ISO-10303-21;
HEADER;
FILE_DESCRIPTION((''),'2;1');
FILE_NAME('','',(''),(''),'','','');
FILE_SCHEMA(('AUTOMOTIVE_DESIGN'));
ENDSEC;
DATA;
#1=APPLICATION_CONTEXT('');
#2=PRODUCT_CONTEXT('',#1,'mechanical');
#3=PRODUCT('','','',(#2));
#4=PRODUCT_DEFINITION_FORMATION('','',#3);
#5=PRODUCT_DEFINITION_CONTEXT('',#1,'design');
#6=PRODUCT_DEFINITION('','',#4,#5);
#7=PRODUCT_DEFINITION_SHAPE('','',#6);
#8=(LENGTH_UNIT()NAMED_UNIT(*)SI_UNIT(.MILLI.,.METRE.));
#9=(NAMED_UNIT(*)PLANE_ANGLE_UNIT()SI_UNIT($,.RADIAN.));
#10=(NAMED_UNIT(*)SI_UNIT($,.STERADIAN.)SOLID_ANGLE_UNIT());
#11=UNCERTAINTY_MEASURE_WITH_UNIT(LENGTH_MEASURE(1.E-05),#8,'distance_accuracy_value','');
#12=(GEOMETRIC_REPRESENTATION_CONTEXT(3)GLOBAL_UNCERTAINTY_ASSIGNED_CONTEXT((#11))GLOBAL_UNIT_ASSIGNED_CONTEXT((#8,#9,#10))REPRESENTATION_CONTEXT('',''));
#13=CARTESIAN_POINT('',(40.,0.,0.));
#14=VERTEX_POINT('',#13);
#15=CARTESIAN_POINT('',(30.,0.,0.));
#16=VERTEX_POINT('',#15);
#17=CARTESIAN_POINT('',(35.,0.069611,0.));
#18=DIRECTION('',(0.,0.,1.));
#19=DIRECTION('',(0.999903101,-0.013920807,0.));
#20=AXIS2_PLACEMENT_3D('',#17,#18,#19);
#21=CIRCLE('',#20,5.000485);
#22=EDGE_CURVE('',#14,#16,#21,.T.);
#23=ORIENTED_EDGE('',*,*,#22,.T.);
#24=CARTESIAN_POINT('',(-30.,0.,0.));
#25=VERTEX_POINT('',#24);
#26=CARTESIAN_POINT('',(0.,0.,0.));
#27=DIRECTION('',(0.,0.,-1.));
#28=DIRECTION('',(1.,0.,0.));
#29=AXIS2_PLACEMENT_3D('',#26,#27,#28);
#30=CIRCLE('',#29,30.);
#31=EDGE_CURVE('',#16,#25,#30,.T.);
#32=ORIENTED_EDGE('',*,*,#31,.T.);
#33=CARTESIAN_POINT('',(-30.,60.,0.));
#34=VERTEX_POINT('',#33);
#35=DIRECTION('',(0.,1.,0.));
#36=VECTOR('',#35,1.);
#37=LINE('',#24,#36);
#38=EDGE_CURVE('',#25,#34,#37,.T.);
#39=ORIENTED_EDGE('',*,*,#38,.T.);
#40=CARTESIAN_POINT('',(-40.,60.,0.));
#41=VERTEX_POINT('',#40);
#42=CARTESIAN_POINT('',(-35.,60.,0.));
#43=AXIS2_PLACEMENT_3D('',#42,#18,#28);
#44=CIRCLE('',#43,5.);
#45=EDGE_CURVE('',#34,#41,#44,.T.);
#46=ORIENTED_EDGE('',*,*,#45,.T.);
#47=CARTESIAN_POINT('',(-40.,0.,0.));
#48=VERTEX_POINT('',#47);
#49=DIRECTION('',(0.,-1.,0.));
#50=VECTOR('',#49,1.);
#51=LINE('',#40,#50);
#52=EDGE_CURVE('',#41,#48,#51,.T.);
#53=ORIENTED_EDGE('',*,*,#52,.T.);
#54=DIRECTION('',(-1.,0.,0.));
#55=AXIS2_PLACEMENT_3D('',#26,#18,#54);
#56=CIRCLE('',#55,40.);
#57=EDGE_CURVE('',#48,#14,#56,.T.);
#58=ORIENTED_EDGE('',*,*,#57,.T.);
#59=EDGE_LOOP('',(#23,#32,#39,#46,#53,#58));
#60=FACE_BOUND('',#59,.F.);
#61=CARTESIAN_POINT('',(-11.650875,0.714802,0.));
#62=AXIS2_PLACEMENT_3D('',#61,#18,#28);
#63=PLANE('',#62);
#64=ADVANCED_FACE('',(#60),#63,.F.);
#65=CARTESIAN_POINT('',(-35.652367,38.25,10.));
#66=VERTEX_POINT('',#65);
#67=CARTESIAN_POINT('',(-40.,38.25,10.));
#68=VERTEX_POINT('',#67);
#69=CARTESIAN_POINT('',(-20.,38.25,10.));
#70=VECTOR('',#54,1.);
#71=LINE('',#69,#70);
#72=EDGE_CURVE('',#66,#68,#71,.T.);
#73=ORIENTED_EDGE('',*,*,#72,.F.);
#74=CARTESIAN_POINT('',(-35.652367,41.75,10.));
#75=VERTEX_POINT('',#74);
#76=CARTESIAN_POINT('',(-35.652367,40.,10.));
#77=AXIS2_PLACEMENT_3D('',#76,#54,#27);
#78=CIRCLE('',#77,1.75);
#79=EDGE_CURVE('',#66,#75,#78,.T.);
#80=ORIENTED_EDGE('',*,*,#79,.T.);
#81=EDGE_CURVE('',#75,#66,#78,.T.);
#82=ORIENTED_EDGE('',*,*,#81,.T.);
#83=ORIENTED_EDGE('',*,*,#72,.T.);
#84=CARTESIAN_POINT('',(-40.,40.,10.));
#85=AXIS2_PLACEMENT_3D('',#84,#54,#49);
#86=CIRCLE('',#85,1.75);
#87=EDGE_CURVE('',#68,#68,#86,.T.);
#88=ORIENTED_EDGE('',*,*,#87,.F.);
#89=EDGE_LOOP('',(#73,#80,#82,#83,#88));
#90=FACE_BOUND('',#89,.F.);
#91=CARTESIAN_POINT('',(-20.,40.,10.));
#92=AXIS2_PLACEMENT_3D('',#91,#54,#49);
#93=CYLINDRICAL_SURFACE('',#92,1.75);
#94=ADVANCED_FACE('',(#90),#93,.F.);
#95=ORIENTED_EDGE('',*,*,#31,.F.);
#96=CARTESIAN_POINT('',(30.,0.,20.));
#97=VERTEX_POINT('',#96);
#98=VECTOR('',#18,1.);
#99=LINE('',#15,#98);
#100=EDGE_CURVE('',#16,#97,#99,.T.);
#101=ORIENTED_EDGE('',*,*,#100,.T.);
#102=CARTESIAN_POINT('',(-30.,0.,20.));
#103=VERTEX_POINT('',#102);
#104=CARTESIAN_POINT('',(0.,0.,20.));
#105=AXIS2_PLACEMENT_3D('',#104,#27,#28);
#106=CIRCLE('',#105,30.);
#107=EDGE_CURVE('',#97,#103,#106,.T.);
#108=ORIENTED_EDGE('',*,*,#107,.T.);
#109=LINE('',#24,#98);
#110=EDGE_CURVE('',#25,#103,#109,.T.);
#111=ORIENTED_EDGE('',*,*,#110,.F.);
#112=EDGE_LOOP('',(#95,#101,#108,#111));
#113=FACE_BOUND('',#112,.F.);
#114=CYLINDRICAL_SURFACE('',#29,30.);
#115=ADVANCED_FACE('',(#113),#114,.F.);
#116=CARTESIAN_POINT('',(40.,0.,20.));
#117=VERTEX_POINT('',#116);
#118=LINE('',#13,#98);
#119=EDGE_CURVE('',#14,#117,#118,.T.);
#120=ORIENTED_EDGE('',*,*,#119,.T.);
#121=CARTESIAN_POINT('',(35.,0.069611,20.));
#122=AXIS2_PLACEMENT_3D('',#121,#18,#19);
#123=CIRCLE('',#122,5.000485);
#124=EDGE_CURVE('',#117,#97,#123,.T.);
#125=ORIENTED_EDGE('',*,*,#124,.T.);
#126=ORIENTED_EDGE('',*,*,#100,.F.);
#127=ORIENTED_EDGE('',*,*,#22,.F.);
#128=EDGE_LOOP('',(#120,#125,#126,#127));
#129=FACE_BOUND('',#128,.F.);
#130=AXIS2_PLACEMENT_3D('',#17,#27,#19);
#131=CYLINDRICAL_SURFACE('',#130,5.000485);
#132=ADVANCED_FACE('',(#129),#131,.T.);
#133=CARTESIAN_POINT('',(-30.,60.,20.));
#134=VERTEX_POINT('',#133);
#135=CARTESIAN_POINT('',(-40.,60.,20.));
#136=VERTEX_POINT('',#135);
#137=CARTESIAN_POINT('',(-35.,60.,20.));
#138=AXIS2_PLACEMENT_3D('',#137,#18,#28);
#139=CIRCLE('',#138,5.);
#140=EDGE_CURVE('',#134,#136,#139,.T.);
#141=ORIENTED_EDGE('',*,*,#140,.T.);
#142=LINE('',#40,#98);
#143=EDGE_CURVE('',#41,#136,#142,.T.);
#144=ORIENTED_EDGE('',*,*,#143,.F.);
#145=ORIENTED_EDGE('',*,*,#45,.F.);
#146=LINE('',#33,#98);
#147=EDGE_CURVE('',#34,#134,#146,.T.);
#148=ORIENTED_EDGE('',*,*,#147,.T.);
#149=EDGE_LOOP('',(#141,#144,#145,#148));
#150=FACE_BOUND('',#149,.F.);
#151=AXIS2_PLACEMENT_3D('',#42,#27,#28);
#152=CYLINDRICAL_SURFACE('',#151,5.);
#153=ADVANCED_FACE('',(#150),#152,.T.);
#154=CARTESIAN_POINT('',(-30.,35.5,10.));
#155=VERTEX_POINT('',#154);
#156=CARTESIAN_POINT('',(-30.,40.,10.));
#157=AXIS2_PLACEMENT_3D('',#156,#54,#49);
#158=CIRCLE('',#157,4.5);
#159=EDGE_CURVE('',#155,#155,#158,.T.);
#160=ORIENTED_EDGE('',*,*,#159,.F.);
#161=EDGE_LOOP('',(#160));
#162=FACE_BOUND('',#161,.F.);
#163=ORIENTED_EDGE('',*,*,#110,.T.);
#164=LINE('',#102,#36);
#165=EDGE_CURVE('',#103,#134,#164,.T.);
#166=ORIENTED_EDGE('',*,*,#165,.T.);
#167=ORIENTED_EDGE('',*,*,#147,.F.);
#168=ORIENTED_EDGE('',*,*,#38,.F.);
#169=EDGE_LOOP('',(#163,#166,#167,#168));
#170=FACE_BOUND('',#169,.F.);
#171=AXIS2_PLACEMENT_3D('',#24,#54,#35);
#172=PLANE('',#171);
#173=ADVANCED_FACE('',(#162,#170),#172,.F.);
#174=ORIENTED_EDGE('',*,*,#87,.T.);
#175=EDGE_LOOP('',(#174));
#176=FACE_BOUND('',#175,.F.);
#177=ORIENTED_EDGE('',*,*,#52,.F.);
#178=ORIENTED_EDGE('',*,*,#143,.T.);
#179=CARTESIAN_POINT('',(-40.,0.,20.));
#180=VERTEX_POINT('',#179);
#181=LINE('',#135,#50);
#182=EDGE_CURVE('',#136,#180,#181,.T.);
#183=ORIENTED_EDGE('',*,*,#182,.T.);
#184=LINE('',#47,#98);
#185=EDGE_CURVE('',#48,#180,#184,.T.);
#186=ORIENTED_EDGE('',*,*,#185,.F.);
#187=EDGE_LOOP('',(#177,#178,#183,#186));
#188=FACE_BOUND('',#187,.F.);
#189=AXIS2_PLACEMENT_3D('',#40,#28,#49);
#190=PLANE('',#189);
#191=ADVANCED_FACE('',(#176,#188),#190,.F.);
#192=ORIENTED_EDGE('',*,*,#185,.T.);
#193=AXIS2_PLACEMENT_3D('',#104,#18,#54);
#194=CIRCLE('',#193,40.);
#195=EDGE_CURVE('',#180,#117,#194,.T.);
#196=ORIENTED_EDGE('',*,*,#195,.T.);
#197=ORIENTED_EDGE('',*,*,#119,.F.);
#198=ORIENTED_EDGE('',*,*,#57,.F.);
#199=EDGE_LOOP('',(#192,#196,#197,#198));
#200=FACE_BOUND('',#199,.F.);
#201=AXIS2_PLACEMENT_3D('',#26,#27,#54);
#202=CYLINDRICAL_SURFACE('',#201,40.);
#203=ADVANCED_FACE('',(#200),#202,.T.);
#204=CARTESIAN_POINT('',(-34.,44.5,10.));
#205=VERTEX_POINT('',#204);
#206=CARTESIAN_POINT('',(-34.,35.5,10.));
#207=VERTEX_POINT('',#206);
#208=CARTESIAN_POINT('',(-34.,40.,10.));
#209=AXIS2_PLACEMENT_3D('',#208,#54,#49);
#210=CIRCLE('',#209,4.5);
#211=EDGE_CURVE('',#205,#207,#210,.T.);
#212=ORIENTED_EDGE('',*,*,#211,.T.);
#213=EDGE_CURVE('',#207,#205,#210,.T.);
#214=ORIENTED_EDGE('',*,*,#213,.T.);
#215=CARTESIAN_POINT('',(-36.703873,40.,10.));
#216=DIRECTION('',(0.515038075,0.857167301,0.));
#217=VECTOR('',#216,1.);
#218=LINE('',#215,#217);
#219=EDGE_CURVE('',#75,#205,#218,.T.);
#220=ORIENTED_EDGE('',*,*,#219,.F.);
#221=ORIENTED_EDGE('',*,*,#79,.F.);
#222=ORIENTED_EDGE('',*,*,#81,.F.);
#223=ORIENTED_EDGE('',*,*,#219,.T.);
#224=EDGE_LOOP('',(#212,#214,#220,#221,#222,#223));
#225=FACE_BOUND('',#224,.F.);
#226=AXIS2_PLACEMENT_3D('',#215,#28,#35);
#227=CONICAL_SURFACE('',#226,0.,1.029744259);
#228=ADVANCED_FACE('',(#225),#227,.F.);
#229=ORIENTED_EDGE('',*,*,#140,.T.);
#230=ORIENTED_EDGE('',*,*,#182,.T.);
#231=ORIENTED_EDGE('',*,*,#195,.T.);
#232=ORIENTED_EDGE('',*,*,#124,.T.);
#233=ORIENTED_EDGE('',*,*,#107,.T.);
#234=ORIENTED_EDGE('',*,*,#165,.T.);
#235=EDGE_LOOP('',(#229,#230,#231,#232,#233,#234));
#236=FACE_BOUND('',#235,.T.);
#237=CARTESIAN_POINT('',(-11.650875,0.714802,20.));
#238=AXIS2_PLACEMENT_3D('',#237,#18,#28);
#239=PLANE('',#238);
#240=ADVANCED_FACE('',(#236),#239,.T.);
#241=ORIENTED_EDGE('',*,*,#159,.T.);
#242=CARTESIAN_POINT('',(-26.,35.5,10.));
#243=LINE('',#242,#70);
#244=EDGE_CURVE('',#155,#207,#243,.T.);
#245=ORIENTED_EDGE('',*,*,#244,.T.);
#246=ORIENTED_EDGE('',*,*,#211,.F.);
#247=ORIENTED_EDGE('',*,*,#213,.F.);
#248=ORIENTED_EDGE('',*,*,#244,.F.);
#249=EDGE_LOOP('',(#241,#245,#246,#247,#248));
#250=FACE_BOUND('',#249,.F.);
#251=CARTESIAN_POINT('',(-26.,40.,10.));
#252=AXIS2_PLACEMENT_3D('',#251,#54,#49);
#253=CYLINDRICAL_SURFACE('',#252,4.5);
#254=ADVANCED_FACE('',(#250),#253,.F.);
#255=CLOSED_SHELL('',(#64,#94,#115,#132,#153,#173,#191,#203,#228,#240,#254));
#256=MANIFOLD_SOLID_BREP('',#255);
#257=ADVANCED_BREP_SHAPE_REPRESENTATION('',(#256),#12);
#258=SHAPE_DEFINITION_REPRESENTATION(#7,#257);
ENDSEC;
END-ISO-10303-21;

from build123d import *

# Parameters (mm, degrees)
F6_DEPTH = 20
F8_D     = 3.5
F8_DEPTH = 10
F8_TIP   = 1.0515060833
F9_D     = 9
F9_DEPTH = 4
F9_TIP   = 2.7038727856


with BuildPart() as f6:
    # F5 (on Top) → F6 (new body)
    with BuildSketch(Plane.XY):
        with BuildLine():
            ThreePointArc((30, 0), (0, -30), (-30, 0))
            Line((-30, 0), (-30, 60))
            ThreePointArc((-30, 60), (-35, 65), (-40, 60))
            Line((-40, 60), (-40, 0))
            ThreePointArc((-40, 0), (0, -40), (40, 0))
            ThreePointArc((40, 0), (35, 5.0700953218), (30, 0))
        make_face()
    extrude(amount=F6_DEPTH)

    # F8
    with Locations(Plane.YZ.offset(-30)):
        with Locations((40, 10)):
            Hole(F8_D / 2, depth=F8_DEPTH)
            with Locations((0, 0, -(F8_DEPTH + F8_TIP / 2))):  # 118° drill point
                Cone(0, F8_D / 2, F8_TIP, mode=Mode.SUBTRACT)

    # F9
    with Locations(Plane.YZ.offset(-30)):
        with Locations((40, 10)):
            Hole(F9_D / 2, depth=F9_DEPTH)
            with Locations((0, 0, -(F9_DEPTH + F9_TIP / 2))):  # 118° drill point
                Cone(0, F9_D / 2, F9_TIP, mode=Mode.SUBTRACT)


solid = f6.part
